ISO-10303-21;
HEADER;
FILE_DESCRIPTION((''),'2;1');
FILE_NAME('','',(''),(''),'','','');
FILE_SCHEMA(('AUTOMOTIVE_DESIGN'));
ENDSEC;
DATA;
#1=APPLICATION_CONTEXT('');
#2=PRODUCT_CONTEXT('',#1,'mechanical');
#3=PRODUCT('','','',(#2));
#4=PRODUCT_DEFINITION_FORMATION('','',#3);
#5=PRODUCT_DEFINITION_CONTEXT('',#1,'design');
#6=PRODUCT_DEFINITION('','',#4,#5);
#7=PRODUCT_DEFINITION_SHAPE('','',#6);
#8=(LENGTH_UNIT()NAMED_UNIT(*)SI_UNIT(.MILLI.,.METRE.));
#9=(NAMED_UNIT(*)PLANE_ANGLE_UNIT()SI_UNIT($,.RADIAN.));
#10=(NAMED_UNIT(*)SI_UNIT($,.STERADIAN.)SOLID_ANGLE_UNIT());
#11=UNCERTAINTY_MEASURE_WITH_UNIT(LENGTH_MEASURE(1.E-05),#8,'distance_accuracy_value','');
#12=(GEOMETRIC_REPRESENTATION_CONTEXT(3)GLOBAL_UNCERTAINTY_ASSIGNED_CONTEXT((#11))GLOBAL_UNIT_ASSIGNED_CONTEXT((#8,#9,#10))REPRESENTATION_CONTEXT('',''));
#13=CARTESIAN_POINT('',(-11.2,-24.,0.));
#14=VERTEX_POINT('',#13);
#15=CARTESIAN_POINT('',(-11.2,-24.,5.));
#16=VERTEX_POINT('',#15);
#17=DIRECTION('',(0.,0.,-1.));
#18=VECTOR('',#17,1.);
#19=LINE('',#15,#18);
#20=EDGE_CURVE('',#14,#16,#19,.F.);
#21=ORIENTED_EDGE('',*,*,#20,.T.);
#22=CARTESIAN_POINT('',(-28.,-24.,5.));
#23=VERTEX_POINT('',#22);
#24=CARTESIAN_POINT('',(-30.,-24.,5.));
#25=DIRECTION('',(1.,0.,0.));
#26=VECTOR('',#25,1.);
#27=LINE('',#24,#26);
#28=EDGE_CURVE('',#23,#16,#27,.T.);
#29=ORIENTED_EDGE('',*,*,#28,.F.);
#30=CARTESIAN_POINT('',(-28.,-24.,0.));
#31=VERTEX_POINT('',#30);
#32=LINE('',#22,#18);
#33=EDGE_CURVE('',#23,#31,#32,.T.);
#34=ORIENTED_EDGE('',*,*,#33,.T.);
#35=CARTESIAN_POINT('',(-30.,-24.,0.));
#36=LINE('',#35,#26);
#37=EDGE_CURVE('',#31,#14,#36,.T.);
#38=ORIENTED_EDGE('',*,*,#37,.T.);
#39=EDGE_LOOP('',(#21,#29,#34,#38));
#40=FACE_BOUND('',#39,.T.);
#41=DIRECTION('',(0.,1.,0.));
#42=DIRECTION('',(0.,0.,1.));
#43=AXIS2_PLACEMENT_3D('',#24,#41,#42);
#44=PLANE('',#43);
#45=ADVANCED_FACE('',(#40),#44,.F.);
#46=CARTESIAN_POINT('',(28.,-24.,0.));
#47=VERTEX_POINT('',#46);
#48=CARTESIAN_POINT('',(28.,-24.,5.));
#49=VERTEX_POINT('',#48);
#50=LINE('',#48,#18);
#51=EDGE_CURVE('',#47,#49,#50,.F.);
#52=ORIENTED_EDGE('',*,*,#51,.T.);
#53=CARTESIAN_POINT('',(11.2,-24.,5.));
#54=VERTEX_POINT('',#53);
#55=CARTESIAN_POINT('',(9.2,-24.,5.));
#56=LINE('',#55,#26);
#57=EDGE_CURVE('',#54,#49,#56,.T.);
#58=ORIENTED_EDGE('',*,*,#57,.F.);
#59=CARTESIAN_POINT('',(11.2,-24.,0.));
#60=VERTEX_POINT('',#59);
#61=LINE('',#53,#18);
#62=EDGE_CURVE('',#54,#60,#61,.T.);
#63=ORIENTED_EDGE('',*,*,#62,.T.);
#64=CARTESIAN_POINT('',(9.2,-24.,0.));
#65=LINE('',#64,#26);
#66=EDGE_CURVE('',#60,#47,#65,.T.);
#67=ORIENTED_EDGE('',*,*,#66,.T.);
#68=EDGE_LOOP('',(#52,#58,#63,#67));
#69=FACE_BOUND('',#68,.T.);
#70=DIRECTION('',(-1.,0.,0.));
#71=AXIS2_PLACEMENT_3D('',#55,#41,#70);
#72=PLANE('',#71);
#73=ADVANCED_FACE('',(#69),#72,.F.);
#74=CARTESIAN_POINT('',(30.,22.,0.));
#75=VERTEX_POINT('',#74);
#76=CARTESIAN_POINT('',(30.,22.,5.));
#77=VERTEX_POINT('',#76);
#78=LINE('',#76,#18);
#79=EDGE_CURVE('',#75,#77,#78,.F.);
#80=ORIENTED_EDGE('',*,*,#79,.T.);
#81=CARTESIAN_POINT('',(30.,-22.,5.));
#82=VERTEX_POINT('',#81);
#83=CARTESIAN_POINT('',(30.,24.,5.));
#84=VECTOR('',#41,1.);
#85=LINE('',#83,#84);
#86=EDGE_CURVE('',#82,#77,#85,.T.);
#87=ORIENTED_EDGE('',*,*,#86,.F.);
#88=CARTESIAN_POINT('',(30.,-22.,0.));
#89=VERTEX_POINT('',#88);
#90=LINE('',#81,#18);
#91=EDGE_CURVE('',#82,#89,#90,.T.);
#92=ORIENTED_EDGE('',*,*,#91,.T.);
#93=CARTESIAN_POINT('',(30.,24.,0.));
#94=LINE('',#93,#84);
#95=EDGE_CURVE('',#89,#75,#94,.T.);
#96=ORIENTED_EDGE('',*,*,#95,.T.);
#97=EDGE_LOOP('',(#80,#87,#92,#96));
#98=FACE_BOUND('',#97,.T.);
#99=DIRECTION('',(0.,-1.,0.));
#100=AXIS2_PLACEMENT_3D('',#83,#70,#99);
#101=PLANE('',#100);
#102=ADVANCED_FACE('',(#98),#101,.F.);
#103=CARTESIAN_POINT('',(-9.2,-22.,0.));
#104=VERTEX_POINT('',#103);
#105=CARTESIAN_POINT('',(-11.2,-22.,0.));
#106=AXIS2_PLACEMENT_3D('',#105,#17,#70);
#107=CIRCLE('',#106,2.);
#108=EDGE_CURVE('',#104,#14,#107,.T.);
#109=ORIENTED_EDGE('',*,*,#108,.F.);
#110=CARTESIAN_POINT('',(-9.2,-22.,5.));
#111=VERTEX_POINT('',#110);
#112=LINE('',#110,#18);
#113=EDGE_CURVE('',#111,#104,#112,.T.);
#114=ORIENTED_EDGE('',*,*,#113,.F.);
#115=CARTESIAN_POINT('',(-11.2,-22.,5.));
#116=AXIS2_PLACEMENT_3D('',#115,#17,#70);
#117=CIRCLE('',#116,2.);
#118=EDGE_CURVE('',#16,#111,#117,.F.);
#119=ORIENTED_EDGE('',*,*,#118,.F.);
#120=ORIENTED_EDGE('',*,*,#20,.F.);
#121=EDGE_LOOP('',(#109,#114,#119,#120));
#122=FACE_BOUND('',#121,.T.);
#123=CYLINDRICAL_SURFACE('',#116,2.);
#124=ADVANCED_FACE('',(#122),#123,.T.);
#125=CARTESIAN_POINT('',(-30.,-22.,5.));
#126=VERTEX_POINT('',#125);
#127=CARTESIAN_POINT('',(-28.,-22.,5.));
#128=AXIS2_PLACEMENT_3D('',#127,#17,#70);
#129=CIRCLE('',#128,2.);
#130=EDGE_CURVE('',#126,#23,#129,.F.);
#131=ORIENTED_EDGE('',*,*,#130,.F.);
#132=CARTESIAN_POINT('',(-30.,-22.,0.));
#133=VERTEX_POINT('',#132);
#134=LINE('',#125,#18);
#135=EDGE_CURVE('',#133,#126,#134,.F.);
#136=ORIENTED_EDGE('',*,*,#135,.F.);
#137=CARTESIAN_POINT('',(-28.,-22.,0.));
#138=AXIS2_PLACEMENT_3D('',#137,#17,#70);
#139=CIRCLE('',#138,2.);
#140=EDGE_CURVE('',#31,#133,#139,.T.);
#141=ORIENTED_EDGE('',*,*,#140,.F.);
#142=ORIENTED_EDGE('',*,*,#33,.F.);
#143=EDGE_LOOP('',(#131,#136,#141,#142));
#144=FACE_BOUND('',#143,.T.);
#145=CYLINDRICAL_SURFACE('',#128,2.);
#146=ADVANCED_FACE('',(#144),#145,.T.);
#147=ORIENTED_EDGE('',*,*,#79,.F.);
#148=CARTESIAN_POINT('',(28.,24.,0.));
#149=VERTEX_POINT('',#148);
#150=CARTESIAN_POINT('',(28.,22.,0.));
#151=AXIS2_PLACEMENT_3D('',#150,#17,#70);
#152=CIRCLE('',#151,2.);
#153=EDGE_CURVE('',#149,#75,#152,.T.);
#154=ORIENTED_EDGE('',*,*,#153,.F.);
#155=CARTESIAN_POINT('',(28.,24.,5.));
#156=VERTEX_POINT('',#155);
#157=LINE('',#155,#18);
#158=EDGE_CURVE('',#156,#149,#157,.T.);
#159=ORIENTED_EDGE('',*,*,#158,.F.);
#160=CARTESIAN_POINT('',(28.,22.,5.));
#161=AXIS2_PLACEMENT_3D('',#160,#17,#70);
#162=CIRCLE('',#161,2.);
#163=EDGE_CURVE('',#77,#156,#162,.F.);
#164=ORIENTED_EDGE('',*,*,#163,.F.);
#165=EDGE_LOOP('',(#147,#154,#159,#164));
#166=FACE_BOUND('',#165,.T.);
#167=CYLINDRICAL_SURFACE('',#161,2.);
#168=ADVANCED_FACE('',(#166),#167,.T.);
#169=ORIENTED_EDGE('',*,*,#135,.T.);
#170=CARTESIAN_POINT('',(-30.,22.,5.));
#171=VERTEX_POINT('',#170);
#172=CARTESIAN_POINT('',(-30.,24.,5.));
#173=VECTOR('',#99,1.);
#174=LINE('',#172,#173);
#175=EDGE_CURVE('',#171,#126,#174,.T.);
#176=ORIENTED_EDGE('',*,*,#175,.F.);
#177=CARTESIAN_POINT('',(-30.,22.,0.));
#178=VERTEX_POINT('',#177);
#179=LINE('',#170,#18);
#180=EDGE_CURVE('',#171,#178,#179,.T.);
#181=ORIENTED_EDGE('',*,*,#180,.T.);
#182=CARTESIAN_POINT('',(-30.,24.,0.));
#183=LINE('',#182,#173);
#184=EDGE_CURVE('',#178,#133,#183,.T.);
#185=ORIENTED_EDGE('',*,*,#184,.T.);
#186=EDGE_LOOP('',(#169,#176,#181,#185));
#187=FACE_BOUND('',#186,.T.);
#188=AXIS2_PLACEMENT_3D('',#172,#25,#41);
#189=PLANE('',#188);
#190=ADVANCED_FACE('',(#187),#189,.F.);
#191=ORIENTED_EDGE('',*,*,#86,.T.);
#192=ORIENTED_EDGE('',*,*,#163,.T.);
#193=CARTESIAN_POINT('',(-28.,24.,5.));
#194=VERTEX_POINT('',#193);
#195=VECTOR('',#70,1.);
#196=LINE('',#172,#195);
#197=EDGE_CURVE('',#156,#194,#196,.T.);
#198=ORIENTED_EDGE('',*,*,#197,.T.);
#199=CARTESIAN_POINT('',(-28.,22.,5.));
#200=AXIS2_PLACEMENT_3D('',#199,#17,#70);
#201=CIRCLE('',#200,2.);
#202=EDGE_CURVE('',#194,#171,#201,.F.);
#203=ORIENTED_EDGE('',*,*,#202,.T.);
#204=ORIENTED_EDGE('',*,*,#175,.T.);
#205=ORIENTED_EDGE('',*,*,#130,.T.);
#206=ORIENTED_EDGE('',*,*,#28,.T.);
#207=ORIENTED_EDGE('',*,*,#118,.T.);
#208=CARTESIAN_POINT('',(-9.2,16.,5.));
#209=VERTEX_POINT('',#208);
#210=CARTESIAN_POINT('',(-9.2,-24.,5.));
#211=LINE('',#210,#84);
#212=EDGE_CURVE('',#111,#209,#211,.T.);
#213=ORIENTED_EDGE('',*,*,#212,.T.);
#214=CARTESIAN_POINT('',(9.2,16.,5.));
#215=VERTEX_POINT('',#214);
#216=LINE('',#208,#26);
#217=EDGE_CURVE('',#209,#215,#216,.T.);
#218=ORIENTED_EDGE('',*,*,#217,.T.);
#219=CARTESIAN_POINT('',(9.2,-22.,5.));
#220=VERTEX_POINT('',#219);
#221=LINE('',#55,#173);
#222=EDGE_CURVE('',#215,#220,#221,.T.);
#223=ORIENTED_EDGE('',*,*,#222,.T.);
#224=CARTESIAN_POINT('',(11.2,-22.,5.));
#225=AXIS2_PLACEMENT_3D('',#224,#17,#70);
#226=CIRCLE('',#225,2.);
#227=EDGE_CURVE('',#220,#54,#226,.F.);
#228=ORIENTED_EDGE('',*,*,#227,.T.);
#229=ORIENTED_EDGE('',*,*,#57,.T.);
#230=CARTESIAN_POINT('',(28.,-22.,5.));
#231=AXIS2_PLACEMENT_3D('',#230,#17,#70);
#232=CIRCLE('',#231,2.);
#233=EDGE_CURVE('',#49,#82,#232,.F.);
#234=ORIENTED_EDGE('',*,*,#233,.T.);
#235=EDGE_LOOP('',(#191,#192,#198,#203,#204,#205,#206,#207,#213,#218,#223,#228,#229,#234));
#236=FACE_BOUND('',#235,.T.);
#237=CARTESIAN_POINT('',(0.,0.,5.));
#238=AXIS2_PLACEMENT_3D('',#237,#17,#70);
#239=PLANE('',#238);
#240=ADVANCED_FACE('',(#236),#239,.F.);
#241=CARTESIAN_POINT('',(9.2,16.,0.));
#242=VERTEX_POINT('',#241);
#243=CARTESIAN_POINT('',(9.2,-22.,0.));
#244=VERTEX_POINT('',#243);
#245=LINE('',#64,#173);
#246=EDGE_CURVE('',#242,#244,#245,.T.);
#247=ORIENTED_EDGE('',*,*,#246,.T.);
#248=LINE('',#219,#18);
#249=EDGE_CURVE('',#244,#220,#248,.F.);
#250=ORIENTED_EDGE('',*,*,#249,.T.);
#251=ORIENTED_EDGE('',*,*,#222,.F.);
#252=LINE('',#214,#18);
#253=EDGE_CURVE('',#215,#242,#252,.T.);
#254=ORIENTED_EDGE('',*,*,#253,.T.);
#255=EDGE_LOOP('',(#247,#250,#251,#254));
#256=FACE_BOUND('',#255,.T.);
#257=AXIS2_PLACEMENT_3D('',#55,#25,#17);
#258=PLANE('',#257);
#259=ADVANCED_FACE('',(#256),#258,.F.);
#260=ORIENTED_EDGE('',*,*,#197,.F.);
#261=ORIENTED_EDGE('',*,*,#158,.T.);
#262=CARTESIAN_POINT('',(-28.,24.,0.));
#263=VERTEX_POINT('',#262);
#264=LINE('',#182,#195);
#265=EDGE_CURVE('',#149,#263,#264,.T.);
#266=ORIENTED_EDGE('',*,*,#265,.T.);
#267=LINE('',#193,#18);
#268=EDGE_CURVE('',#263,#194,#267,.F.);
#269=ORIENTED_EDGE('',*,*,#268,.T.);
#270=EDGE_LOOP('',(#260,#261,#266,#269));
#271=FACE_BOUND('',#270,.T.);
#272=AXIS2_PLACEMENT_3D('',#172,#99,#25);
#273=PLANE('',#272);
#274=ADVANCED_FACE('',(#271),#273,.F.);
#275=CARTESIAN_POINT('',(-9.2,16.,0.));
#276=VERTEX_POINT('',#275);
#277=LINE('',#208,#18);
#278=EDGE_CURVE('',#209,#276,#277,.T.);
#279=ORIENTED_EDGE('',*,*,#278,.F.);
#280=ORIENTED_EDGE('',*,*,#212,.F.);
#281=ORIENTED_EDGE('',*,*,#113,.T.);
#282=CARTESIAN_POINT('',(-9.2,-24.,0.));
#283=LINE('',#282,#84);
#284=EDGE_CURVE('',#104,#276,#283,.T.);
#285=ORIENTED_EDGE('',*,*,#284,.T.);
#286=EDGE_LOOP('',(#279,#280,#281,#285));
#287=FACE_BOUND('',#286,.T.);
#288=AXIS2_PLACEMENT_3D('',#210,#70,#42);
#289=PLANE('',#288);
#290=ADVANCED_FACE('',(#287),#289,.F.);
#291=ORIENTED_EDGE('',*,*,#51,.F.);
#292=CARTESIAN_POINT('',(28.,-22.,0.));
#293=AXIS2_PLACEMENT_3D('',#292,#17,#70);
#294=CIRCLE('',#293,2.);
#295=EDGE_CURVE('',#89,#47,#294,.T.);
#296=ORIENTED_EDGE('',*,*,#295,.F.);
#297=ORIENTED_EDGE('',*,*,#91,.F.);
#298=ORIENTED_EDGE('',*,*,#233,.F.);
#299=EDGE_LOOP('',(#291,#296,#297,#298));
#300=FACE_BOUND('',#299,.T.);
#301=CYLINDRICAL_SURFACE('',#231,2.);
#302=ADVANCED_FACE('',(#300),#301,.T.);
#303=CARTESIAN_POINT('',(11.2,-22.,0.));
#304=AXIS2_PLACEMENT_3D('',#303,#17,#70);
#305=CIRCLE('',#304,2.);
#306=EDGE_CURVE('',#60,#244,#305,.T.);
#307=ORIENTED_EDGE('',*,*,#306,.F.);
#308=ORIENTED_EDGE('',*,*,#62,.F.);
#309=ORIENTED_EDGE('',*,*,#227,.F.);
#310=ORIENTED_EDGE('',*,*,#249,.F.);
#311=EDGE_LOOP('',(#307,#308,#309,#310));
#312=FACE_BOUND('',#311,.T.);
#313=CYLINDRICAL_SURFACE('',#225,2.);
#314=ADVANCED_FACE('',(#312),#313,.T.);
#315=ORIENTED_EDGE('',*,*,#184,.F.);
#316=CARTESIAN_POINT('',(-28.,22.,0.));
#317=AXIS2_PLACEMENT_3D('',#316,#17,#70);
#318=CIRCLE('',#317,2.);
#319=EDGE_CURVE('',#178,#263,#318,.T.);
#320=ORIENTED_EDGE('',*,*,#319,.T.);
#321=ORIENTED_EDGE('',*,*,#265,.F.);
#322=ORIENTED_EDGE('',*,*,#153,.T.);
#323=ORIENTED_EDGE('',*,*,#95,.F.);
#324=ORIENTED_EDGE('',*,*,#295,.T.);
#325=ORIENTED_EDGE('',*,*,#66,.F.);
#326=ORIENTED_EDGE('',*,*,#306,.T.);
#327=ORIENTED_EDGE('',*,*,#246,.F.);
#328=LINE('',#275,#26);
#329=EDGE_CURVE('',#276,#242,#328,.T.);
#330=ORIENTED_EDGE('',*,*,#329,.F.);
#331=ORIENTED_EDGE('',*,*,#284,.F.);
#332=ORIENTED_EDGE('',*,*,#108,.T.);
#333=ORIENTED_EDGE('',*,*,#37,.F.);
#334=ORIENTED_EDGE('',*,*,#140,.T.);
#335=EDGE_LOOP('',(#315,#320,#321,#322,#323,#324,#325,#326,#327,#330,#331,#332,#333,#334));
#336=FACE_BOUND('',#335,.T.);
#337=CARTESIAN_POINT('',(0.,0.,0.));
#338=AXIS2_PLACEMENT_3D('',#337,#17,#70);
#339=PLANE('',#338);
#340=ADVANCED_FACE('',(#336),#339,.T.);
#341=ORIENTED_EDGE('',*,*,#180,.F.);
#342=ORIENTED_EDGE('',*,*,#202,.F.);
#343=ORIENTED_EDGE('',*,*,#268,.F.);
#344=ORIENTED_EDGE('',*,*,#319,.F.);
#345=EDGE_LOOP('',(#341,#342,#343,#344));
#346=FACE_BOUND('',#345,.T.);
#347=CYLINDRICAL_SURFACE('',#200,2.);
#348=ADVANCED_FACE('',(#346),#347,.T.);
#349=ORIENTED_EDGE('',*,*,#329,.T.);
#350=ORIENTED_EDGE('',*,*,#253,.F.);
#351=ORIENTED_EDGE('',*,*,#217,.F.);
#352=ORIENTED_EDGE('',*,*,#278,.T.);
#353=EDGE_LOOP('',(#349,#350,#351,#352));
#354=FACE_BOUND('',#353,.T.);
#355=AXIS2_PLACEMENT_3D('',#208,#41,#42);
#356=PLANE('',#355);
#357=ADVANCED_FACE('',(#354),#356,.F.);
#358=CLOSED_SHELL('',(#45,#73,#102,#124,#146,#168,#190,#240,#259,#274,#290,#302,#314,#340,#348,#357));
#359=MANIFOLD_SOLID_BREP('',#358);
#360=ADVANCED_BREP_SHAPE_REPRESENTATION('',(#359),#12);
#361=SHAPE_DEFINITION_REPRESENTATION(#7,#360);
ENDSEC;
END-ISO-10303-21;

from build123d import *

# Parameters (mm, degrees)
EXTRUDE_1_DEPTH = 5
FILLET_1_R      = 2


with BuildPart() as part:
    # 草图1 → 凸台-拉伸1 (new body)
    with BuildSketch(Plane.XY):
        Polygon((-30, 24), (30, 24), (30, -24), (9.2, -24), (9.2, 16), (-9.2, 16), (-9.2, -24), (-30, -24), align=None)
    extrude(amount=EXTRUDE_1_DEPTH)

    # 圆角1
    fillet_1_edges = [part.edges().sort_by_distance(p)[0] for p in [
        (9.2, -24, 2.5),
        (-9.2, -24, 2.5),
        (-30, -24, 2.5),
        (-30, 24, 2.5),
        (30, 24, 2.5),
        (30, -24, 2.5),
    ]]
    fillet(fillet_1_edges, radius=FILLET_1_R)


solid = part.part
